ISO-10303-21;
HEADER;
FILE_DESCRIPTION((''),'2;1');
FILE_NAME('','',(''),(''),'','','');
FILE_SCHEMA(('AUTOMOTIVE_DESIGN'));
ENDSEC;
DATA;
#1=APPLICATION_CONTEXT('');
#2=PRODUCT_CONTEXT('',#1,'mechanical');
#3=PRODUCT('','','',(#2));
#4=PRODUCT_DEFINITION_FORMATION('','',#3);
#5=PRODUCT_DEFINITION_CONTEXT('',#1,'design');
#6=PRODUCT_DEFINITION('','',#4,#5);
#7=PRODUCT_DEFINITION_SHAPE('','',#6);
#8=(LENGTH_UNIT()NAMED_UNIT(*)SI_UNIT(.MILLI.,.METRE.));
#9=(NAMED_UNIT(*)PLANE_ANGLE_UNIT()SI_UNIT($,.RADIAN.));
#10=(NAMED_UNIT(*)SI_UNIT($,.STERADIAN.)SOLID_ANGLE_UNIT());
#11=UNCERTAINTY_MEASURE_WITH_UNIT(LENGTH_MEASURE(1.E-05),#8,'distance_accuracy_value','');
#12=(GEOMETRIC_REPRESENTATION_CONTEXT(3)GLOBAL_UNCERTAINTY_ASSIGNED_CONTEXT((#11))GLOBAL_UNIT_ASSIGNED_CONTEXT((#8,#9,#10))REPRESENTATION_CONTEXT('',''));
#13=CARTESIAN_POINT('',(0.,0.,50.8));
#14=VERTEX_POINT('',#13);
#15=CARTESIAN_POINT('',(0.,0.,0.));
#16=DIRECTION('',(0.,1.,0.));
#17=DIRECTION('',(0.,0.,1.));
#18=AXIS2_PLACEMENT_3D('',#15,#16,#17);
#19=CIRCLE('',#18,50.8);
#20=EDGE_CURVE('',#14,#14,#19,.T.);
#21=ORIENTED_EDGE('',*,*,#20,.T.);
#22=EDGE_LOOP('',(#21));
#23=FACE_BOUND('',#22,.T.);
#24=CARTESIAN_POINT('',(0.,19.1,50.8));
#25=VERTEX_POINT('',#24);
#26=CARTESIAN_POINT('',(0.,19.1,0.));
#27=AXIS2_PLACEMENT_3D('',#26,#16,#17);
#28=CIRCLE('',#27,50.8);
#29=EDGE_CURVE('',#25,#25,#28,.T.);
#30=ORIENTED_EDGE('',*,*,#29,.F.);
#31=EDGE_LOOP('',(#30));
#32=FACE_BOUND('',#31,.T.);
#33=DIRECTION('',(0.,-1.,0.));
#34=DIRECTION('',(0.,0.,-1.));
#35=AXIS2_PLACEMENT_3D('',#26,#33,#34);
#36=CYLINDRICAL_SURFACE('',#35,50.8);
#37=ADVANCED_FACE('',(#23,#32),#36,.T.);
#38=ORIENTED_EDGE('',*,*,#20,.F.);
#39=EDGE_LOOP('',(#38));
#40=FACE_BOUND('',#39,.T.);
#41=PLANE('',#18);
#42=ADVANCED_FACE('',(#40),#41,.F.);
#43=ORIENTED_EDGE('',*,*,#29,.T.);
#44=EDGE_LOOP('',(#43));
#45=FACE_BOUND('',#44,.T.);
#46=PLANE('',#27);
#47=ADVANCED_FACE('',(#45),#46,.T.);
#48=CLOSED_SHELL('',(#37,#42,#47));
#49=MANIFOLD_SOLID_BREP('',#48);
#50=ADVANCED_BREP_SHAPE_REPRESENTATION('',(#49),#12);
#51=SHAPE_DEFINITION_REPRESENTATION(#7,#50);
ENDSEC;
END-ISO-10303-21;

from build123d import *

# Parameters (mm, degrees)
SKETCH_1_R      = 50.8
EXTRUDE_1_DEPTH = 19.1


with BuildPart() as part:
    # 草图1 → 凸台-拉伸1 (new body)
    with BuildSketch(Plane(origin=(0, 0, 0), x_dir=(1, 0, 0), z_dir=(0, 1, 0))):
        with Locations(Location((0, 0, 0), (0, 0, 270))):  # turned: the seam where the file's is
            Circle(SKETCH_1_R)
    extrude(amount=EXTRUDE_1_DEPTH)


solid = part.part
